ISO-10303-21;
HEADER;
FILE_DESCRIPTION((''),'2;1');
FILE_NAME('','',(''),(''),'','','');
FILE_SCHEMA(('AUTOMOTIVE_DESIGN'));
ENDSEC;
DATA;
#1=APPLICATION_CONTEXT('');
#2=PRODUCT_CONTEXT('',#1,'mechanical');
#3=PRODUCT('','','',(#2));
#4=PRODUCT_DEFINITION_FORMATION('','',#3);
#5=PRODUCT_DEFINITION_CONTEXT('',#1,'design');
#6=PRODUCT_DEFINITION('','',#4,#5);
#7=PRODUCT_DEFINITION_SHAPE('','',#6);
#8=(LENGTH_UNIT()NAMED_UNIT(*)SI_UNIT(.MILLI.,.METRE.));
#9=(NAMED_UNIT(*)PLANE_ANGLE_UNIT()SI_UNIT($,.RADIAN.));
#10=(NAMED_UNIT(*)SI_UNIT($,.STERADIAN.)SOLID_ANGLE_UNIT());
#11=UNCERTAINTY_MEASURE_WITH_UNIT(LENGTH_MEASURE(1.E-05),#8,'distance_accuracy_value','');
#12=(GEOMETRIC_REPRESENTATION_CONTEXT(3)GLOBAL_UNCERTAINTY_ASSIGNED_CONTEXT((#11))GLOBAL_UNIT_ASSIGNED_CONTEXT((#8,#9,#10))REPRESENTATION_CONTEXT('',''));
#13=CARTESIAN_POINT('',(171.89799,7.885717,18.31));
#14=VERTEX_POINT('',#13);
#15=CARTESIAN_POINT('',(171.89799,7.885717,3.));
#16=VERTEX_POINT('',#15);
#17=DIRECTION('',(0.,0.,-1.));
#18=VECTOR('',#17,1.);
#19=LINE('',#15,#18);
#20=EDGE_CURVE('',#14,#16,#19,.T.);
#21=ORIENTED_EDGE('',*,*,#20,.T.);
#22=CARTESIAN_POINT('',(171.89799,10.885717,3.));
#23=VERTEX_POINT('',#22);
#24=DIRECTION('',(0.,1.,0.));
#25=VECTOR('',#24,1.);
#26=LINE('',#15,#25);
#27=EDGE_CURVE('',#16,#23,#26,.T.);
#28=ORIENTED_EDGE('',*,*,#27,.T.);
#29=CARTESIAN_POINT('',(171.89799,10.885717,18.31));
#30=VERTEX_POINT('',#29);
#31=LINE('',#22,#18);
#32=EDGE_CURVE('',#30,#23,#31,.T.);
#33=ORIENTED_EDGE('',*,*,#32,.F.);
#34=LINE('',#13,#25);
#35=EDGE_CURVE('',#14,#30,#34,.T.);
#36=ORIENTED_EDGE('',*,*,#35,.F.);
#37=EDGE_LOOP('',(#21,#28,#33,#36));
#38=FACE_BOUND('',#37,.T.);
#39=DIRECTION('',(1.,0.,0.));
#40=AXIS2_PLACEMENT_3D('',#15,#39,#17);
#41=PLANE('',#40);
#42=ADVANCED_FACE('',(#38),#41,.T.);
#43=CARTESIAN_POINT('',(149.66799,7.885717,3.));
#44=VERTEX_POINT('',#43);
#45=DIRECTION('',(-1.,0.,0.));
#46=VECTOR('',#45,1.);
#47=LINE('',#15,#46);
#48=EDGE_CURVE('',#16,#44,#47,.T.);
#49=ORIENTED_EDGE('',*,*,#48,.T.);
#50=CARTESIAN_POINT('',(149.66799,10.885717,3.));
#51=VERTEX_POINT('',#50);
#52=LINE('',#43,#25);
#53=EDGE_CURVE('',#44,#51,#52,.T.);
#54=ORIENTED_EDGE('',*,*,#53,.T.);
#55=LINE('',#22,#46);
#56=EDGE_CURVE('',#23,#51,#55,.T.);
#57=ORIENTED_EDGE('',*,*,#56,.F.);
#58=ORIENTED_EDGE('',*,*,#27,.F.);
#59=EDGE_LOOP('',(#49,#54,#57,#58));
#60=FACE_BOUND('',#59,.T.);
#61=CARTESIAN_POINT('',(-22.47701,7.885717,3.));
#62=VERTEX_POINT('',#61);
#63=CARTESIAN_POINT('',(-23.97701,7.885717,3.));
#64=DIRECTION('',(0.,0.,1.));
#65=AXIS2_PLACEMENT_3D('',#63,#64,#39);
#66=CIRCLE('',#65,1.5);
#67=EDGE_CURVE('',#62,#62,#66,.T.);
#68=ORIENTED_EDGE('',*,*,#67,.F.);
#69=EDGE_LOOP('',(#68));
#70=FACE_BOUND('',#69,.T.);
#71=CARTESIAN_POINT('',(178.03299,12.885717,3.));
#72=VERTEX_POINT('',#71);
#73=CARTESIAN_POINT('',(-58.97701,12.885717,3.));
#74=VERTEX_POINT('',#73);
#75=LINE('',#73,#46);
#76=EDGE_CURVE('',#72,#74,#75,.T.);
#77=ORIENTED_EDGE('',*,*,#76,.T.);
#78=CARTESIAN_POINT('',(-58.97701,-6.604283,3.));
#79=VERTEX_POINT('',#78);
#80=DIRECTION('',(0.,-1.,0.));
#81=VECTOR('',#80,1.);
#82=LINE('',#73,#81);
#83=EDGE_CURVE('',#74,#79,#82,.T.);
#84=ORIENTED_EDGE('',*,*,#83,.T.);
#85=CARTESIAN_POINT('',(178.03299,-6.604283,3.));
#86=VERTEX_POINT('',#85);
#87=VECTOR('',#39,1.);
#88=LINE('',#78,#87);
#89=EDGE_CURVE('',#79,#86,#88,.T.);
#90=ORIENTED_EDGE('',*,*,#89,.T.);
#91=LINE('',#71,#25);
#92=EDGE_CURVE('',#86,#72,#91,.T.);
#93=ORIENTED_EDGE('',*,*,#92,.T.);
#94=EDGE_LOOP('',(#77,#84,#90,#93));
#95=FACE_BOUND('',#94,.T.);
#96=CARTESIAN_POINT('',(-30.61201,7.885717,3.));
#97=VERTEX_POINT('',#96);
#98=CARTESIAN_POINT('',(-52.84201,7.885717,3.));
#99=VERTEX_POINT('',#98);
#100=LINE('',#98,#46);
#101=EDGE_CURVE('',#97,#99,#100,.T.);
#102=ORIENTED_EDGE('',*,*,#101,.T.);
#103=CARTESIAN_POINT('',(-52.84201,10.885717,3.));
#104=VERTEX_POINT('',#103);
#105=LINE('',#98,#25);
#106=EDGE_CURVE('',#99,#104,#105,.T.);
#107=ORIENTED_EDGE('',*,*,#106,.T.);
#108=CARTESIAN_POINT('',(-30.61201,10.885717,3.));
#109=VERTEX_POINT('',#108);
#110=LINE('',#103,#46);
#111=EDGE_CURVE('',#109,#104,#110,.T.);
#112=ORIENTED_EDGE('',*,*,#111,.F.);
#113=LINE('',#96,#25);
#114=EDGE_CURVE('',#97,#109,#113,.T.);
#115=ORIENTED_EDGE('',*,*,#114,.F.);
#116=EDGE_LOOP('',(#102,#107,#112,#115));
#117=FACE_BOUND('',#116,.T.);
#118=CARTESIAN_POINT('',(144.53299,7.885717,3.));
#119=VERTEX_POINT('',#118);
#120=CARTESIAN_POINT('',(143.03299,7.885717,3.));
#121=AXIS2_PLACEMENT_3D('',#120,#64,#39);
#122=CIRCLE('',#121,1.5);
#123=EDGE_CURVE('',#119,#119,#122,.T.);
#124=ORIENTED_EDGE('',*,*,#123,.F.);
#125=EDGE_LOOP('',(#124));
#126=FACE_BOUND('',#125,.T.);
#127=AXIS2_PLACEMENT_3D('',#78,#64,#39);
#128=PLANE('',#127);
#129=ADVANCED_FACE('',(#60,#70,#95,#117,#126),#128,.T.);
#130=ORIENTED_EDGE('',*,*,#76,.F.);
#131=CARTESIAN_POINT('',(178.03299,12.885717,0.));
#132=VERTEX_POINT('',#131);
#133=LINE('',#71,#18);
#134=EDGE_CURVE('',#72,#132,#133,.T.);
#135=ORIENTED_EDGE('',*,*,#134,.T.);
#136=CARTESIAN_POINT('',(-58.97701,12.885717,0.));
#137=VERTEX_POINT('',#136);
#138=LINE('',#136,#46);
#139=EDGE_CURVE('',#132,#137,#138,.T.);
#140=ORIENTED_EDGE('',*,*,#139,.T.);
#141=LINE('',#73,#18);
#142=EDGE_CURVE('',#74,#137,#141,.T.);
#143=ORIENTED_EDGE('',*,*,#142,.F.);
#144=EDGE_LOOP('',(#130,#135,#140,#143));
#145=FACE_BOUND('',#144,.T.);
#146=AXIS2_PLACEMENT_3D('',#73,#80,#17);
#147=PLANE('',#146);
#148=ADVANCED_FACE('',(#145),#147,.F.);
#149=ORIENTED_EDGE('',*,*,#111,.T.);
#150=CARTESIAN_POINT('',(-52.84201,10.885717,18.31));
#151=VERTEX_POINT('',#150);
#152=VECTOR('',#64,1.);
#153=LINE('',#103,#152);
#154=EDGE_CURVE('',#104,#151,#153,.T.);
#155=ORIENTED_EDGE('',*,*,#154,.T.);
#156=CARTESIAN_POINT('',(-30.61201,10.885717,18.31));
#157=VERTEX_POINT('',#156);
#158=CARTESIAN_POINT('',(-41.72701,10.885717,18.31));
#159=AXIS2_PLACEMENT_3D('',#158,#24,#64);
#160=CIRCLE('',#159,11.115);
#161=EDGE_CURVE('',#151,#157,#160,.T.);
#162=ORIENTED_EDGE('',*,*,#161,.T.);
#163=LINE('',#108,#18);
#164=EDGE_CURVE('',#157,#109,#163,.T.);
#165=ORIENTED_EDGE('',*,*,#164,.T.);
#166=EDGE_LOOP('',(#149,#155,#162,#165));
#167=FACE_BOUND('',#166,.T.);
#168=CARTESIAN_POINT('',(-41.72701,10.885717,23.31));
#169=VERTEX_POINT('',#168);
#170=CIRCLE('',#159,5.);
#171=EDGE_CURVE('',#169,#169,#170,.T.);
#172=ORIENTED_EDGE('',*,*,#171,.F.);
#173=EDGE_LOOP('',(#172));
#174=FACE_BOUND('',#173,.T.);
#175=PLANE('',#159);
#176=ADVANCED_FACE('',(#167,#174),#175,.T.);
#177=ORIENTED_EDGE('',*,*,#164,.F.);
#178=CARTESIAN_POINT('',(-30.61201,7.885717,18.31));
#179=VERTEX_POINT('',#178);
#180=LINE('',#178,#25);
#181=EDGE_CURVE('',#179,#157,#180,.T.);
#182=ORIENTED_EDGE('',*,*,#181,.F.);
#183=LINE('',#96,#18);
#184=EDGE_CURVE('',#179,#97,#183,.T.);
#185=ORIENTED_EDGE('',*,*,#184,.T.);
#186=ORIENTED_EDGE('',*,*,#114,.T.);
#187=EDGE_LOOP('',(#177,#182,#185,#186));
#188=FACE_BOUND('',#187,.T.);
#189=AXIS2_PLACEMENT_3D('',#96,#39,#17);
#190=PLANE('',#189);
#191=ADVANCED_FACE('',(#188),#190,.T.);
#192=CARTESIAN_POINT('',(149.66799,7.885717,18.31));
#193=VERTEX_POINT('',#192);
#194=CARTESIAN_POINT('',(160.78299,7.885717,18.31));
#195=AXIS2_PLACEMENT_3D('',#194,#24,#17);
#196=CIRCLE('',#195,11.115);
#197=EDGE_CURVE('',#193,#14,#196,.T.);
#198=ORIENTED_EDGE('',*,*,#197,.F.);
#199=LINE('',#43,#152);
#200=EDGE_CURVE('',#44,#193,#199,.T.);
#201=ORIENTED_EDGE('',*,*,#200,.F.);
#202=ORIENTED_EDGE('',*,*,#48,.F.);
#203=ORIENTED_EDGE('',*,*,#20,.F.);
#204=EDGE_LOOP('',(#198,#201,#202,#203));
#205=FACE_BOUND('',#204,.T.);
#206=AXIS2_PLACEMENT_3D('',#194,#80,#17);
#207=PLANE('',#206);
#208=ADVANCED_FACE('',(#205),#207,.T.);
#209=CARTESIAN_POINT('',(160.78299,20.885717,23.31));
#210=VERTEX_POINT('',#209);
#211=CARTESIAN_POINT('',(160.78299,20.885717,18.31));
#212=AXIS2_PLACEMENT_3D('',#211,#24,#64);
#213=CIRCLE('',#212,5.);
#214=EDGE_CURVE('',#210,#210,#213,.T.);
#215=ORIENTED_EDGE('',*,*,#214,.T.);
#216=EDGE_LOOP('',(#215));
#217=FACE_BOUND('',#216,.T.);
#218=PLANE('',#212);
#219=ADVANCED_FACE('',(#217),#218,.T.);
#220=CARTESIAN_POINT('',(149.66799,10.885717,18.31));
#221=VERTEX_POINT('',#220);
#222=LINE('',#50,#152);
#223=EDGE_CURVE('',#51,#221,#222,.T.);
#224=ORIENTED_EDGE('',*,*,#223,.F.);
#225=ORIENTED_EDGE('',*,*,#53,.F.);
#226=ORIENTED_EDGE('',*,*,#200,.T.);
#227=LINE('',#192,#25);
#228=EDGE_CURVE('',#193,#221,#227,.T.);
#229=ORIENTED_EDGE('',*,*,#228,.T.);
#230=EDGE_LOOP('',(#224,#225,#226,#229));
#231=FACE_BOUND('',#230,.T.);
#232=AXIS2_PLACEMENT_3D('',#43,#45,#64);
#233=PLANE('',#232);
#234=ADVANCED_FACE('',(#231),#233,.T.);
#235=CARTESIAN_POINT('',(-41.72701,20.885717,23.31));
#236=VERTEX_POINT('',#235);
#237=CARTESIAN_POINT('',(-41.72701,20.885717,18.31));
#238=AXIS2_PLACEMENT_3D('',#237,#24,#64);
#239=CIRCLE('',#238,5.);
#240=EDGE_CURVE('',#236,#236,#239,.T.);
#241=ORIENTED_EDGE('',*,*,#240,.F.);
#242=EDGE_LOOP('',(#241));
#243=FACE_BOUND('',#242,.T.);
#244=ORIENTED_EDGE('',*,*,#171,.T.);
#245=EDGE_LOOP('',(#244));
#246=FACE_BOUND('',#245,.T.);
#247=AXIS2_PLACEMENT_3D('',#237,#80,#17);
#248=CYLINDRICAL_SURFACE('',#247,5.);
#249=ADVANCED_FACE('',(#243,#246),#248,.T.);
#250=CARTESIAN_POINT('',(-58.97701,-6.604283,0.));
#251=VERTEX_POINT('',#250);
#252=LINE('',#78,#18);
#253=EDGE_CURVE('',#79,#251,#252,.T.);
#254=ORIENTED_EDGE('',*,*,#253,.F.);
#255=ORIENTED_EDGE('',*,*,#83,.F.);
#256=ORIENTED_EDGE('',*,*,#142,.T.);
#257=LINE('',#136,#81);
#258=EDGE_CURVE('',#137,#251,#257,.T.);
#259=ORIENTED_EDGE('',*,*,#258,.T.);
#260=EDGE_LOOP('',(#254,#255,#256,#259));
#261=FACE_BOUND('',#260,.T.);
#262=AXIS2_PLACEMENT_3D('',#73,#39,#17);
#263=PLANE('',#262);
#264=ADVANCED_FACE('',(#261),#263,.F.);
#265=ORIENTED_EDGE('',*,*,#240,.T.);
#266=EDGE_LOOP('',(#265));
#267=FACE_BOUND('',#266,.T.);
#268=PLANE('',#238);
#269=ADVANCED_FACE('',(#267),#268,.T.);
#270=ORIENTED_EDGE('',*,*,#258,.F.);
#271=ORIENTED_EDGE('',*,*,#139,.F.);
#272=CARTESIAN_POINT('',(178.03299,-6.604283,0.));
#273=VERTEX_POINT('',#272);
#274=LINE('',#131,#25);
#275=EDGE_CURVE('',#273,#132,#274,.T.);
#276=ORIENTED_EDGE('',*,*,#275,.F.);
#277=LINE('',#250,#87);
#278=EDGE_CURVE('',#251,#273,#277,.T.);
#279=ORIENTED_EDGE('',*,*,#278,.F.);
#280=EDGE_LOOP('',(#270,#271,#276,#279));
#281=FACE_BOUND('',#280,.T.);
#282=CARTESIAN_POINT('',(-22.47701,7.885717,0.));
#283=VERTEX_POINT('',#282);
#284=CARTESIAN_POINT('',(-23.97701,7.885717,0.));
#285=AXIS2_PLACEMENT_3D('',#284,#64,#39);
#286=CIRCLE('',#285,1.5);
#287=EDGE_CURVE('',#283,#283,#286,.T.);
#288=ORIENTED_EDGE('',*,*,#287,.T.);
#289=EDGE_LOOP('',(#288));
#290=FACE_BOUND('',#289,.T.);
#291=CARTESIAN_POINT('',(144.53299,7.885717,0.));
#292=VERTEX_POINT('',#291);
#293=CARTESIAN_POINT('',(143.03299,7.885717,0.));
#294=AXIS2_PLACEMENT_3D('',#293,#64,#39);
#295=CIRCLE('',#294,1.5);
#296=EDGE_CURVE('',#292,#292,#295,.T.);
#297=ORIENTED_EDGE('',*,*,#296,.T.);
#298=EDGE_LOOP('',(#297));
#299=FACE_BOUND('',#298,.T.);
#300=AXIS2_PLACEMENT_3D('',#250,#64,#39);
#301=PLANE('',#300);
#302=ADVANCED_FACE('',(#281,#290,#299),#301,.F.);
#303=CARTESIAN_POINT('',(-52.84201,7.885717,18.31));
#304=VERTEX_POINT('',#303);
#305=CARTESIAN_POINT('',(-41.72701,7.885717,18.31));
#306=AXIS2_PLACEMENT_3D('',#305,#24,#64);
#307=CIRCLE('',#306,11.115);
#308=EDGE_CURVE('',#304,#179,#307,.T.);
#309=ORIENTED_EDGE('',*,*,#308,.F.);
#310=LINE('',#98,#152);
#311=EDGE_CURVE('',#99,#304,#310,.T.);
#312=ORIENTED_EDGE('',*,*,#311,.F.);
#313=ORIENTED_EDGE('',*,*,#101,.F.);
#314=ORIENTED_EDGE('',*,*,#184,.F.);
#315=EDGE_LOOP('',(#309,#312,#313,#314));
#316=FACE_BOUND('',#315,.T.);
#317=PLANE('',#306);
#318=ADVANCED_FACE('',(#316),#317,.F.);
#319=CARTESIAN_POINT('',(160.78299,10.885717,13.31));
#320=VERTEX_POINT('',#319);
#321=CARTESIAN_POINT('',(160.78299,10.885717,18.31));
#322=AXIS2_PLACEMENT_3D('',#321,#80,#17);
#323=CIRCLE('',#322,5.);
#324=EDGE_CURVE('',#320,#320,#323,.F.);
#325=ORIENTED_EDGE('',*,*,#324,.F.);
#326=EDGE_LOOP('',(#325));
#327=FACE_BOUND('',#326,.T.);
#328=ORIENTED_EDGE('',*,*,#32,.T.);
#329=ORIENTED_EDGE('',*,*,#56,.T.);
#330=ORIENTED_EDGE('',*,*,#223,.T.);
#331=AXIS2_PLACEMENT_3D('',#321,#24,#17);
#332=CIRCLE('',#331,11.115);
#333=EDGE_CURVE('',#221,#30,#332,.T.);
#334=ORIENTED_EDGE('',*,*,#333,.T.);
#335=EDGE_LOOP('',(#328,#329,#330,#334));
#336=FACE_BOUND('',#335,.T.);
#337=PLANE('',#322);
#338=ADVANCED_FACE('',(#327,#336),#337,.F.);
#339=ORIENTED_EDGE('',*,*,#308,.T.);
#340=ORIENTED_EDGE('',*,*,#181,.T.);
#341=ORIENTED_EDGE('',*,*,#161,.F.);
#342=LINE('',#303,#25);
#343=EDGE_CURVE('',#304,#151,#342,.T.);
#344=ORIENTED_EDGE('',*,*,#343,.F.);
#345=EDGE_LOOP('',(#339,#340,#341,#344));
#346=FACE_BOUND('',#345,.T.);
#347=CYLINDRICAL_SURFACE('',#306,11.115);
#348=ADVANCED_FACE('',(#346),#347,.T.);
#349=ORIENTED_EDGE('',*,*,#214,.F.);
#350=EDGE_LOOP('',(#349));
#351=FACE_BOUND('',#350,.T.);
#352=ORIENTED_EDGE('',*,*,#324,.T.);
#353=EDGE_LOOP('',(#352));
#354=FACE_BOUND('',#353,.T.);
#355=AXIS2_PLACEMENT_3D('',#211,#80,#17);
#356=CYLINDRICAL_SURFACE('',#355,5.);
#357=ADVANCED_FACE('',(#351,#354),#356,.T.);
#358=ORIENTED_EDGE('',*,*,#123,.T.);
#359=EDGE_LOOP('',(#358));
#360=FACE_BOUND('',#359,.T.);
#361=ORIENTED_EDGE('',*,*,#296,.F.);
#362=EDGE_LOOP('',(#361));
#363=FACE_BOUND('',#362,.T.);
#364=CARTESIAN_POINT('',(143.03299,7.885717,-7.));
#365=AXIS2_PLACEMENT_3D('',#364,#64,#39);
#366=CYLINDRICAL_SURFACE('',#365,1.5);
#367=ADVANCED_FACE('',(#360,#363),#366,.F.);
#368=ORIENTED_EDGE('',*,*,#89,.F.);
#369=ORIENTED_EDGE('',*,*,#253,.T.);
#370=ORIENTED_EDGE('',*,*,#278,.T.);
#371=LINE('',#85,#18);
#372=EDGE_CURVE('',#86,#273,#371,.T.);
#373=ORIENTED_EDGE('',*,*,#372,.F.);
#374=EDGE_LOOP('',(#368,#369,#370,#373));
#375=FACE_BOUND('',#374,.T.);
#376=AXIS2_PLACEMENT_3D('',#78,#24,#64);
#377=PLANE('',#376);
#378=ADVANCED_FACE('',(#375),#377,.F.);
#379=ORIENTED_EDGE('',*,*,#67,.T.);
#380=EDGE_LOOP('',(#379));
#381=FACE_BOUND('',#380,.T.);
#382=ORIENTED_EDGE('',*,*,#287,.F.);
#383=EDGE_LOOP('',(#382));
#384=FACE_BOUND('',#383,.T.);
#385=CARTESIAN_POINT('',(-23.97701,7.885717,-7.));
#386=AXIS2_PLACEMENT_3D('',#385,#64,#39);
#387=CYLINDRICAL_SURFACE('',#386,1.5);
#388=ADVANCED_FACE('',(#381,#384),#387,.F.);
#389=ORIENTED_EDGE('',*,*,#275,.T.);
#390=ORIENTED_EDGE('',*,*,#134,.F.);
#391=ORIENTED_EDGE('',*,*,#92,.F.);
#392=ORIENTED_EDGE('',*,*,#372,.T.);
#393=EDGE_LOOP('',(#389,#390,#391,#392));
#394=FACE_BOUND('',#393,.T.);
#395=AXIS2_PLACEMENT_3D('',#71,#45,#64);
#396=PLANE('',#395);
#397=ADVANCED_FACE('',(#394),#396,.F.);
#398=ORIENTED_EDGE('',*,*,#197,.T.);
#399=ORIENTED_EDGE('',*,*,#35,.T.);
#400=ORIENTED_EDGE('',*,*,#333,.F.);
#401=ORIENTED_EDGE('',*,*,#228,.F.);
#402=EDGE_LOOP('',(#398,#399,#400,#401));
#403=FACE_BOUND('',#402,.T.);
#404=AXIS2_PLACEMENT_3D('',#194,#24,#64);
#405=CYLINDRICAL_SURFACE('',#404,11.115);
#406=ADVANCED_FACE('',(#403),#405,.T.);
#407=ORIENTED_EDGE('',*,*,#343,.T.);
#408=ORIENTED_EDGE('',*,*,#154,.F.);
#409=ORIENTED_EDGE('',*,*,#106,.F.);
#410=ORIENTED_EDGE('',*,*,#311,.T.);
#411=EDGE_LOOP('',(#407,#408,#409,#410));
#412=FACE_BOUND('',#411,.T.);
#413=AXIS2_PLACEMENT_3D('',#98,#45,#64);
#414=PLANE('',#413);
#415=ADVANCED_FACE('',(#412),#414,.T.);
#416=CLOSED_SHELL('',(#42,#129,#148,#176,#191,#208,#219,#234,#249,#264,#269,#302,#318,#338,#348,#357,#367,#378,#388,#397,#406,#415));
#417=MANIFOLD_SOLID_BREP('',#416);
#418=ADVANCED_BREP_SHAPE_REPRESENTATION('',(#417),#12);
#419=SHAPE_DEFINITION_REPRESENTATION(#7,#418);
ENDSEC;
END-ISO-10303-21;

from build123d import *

# Parameters (mm, degrees)
ESQUISSE1_W             = 237.01
ESQUISSE1_H             = 19.49
BOSS_EXTRU_1_DEPTH      = 3
BOSS_EXTRU_2_DEPTH      = 3
ESQUISSE3_R             = 5
BOSS_EXTRU_3_DEPTH      = 10
ESQUISSE4_R             = 5
BOSS_EXTRU_4_DEPTH      = 10
ESQUISSE5_R             = 1.5
ENL_V_MAT_EXTRU_1_DEPTH = 10


with BuildPart() as part:
    # Esquisse1 → Boss.-Extru.1 (new body)
    with BuildSketch(Plane.XY):
        with Locations((59.527989935, 3.140717464)):
            Rectangle(ESQUISSE1_W, ESQUISSE1_H)
    extrude(amount=BOSS_EXTRU_1_DEPTH)

    # Esquisse2 → Boss.-Extru.2 (add)
    with BuildSketch(Plane(origin=(0, 10.885717464, 0), x_dir=(-1, 0, 0), z_dir=(0, 1, 0))):
        with BuildLine():
            Line((52.842010065, 3), (52.842010065, 18.31))
            ThreePointArc((52.842010065, 18.31), (41.727010065, 29.425), (30.612010065, 18.31))
            Line((30.612010065, 18.31), (30.612010065, 3))
            Line((30.612010065, 3), (52.842010065, 3))
        make_face()
        with BuildLine():
            Line((-171.897989935, 3), (-149.667989935, 3))
            Line((-149.667989935, 3), (-149.667989935, 18.31))
            ThreePointArc((-149.667989935, 18.31), (-160.782989935, 29.425), (-171.897989935, 18.31))
            Line((-171.897989935, 18.31), (-171.897989935, 3))
        make_face()
    extrude(amount=-BOSS_EXTRU_2_DEPTH)

    # Esquisse3 → Boss.-Extru.3 (add)
    with BuildSketch(Plane(origin=(0, 10.885717464, 0), x_dir=(-1, 0, 0), z_dir=(0, 1, 0))):
        with Locations((41.727010065, 18.31)):
            Circle(ESQUISSE3_R)
    extrude(amount=BOSS_EXTRU_3_DEPTH)

    # Esquisse4 → Boss.-Extru.4 (add)
    with BuildSketch(Plane(origin=(0, 10.885717464, 0), x_dir=(-1, 0, 0), z_dir=(0, 1, 0))):
        with Locations((-160.782989935, 18.31)):
            Circle(ESQUISSE4_R)
    extrude(amount=BOSS_EXTRU_4_DEPTH)

    # Esquisse5 → Enlèv. mat.-Extru.1 (cut)
    with BuildSketch(Plane.XY.offset(3)):
        with Locations((-23.977010065, 7.885717464)):
            Circle(ESQUISSE5_R)
        with Locations((143.032989935, 7.885717464)):
            Circle(ESQUISSE5_R)
    extrude(amount=-ENL_V_MAT_EXTRU_1_DEPTH, mode=Mode.SUBTRACT)


solid = part.part
